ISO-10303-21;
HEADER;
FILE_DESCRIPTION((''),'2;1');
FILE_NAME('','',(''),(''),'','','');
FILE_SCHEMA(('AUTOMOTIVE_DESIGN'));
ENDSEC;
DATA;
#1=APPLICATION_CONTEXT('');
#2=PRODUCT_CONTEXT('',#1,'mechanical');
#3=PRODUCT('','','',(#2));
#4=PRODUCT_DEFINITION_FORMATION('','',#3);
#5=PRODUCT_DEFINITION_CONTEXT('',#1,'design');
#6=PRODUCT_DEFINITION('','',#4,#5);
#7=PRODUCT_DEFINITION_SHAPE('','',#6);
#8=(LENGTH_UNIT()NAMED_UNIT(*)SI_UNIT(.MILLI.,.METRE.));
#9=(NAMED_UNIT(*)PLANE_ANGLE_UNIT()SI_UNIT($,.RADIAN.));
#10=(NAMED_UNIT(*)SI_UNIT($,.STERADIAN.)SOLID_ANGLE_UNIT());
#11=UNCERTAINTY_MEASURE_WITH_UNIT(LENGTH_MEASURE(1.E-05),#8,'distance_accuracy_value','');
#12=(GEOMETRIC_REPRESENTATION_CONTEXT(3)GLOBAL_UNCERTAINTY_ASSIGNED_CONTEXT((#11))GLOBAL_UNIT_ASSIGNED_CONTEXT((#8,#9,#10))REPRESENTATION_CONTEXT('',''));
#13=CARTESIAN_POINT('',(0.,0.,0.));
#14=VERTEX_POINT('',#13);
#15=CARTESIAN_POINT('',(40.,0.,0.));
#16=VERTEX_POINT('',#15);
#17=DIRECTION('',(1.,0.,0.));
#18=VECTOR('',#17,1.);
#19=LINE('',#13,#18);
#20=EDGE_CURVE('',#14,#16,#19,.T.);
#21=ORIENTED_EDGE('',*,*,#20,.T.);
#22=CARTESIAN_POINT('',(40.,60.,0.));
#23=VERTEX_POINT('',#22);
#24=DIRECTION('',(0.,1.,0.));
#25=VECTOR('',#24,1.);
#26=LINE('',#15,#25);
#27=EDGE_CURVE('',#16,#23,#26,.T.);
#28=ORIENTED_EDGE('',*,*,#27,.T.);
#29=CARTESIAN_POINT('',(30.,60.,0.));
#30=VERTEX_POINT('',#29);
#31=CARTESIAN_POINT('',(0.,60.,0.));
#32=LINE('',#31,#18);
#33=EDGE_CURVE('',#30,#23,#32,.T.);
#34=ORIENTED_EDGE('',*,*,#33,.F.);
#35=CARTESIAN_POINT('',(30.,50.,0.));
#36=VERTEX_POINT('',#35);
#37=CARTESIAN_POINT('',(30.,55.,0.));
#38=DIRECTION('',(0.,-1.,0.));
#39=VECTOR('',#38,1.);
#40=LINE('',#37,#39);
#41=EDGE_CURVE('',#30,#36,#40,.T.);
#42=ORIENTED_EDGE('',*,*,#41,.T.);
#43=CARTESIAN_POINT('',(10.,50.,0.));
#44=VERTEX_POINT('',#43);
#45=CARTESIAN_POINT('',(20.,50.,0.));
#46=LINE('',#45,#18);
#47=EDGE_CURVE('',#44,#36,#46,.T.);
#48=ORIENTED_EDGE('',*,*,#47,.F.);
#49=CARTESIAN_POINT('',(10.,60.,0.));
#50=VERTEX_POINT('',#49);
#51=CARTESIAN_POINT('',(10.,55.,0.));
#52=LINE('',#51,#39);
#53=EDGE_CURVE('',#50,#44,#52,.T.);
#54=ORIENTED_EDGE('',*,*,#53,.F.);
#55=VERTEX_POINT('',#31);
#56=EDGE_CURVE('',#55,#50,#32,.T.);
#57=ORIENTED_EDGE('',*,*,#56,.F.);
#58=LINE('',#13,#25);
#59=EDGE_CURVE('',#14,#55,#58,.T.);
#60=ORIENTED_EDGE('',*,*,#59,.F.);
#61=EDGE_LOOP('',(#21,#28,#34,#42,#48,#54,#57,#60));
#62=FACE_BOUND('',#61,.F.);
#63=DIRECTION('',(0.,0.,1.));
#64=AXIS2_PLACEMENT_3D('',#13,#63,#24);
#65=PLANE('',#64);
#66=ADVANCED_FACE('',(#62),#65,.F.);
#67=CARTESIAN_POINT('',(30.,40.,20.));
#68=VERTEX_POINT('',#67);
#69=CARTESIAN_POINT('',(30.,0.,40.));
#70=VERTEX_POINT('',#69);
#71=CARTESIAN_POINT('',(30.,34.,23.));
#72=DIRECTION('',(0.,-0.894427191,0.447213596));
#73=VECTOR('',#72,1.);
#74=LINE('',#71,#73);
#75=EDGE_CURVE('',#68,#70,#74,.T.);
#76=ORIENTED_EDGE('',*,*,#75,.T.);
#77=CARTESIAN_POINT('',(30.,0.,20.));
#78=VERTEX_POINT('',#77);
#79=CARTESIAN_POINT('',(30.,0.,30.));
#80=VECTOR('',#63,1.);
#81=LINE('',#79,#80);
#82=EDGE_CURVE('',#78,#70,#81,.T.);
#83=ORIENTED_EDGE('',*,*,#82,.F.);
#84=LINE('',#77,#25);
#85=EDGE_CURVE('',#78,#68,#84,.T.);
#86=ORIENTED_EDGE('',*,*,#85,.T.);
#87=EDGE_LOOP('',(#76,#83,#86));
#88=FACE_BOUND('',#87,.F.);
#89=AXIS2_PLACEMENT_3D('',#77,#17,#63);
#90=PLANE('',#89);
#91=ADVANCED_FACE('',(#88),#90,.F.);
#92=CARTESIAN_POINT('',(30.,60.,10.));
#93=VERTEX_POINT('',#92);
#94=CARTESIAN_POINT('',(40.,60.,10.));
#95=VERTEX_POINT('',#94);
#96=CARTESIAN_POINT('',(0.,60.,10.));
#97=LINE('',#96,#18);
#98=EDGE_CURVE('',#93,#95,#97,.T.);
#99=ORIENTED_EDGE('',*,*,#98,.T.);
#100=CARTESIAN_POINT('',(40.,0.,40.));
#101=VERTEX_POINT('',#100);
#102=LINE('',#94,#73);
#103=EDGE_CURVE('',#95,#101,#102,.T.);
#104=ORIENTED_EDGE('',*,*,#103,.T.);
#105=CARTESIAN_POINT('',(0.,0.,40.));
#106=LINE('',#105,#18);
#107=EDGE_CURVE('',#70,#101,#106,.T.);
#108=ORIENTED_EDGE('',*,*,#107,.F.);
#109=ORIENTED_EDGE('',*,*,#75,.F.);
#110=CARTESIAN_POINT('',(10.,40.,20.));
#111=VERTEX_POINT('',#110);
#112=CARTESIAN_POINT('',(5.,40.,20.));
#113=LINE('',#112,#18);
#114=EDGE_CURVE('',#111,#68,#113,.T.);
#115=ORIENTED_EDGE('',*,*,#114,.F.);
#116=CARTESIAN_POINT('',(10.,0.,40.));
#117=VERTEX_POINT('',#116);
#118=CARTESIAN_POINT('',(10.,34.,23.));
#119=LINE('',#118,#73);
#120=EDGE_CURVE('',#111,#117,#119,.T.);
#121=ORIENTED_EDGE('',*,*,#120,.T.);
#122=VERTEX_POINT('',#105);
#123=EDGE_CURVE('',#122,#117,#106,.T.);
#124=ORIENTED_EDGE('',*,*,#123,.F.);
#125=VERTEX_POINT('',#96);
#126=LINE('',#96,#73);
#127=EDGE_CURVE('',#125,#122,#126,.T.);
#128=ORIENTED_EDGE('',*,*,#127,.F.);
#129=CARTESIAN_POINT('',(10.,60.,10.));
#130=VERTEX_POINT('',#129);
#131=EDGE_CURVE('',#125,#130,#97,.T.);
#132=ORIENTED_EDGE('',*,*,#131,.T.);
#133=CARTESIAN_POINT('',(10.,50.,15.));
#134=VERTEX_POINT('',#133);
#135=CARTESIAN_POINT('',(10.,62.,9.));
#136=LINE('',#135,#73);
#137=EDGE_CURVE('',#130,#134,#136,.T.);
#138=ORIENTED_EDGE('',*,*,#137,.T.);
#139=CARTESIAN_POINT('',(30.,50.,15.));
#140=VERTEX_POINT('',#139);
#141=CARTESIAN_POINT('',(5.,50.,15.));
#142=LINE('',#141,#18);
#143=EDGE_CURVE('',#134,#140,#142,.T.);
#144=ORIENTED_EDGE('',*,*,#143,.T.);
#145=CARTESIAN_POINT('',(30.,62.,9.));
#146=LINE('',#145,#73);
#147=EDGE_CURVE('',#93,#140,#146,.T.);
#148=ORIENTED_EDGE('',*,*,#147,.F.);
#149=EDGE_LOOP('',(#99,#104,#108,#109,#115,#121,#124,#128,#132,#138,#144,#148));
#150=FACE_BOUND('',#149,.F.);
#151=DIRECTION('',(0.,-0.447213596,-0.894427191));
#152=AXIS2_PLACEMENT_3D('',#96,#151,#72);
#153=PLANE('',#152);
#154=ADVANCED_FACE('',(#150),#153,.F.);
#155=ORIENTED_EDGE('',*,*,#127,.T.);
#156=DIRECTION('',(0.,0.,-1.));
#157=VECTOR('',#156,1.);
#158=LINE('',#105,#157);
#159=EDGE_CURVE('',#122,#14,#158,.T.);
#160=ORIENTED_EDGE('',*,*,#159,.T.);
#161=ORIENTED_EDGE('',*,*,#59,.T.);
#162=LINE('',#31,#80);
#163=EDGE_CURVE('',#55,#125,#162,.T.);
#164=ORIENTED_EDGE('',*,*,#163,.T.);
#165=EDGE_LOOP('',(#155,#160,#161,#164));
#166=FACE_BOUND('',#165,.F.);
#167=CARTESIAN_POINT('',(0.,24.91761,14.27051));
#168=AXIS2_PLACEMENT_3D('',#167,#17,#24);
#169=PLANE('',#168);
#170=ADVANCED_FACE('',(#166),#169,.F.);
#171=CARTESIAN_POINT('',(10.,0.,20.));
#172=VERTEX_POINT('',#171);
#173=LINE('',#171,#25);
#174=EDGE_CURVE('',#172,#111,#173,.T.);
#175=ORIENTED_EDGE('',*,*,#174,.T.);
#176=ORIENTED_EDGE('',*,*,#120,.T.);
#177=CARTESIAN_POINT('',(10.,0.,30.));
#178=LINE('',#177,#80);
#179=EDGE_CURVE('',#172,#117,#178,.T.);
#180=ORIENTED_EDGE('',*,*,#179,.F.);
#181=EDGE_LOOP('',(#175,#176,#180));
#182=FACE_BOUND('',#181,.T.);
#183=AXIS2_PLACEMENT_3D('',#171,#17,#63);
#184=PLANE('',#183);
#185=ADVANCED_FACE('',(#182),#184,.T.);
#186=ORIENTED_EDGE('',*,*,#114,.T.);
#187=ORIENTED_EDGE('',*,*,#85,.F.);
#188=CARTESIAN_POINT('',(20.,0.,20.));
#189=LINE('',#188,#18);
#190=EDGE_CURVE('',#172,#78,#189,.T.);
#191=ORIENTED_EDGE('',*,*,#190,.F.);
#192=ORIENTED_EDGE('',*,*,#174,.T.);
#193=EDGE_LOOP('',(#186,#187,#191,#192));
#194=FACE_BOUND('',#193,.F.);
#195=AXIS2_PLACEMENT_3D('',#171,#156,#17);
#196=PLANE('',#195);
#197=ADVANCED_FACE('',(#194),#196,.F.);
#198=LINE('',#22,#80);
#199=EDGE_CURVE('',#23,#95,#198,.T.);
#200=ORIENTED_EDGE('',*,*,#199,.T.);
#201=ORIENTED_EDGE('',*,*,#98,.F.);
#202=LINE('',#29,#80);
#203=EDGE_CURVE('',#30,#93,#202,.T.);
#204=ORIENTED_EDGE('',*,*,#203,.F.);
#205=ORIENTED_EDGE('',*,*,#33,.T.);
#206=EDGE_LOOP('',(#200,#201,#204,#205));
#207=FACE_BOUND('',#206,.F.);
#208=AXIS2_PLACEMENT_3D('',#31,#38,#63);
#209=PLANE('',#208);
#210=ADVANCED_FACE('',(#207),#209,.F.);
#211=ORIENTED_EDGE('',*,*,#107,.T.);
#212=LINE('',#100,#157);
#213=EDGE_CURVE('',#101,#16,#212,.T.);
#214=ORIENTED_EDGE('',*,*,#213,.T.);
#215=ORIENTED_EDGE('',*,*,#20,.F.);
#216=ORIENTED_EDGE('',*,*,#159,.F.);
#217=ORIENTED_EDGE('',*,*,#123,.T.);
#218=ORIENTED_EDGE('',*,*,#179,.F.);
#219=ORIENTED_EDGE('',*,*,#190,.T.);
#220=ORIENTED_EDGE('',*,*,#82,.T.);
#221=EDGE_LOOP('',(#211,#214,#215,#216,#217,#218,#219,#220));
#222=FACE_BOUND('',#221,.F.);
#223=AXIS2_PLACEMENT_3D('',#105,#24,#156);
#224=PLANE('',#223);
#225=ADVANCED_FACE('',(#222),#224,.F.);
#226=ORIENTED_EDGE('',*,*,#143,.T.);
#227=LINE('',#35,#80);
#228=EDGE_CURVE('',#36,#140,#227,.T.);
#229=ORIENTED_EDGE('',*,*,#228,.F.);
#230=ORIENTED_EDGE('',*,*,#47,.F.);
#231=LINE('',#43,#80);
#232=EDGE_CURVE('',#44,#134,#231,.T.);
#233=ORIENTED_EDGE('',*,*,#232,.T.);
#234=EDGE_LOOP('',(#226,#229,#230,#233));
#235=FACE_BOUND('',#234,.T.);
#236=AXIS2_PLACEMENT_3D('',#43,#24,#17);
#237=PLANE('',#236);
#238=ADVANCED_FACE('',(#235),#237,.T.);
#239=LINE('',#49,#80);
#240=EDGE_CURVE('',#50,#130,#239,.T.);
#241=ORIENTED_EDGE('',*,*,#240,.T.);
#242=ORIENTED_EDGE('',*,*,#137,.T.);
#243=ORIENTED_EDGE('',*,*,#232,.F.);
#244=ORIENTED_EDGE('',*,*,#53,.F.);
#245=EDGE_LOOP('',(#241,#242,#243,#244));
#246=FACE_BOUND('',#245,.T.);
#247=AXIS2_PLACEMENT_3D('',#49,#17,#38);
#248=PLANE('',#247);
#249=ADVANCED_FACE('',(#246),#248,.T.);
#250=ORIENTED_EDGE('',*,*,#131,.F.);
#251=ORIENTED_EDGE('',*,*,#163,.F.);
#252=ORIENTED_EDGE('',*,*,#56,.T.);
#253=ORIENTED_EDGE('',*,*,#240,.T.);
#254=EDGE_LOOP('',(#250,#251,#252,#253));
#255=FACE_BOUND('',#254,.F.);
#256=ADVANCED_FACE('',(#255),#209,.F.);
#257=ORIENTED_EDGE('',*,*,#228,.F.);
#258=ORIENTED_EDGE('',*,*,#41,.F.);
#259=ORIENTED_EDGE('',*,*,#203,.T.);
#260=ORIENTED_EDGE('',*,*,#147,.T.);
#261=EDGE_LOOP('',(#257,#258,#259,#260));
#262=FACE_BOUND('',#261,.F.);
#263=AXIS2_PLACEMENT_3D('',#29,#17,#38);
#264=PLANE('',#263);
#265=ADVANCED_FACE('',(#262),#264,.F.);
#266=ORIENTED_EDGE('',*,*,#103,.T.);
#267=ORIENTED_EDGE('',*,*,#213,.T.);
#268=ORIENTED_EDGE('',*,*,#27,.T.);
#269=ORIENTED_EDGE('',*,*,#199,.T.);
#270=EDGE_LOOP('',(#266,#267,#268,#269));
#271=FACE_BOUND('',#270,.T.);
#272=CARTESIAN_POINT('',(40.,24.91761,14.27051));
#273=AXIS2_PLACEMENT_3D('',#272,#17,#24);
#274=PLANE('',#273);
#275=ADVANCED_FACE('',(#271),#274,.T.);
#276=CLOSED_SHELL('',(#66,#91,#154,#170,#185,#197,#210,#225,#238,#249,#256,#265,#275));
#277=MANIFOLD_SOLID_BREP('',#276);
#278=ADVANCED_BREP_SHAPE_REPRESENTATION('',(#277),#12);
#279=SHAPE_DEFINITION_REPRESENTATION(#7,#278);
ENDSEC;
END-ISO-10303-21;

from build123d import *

# Parameters (mm, degrees)
F1_DEPTH = 40
F2_W     = 20
F2_H     = 10
F3_DEPTH = 40.001
F4_W     = 20
F4_H     = 20
F5_DEPTH = 60.001


with BuildPart() as f1:
    # F0 (on Right) → F1 (new body)
    with BuildSketch(Plane.YZ):
        Polygon((60, 10), (0, 40), (0, 0), (60, 0), align=None)
    extrude(amount=F1_DEPTH)

    # F2 (on face) → F3 (cut, through all)
    with BuildSketch(Plane(origin=(0, 0, 0), x_dir=(1, 0, 0), z_dir=(0, 0, -1))):
        with Locations((20, -55)):
            Rectangle(F2_W, F2_H)
    extrude(amount=-F3_DEPTH, mode=Mode.SUBTRACT)

    # F4 (on face) → F5 (cut, through all)
    with BuildSketch(Plane.XZ):
        with Locations((20, 30)):
            Rectangle(F4_W, F4_H)
    extrude(amount=-F5_DEPTH, mode=Mode.SUBTRACT)


solid = f1.part
